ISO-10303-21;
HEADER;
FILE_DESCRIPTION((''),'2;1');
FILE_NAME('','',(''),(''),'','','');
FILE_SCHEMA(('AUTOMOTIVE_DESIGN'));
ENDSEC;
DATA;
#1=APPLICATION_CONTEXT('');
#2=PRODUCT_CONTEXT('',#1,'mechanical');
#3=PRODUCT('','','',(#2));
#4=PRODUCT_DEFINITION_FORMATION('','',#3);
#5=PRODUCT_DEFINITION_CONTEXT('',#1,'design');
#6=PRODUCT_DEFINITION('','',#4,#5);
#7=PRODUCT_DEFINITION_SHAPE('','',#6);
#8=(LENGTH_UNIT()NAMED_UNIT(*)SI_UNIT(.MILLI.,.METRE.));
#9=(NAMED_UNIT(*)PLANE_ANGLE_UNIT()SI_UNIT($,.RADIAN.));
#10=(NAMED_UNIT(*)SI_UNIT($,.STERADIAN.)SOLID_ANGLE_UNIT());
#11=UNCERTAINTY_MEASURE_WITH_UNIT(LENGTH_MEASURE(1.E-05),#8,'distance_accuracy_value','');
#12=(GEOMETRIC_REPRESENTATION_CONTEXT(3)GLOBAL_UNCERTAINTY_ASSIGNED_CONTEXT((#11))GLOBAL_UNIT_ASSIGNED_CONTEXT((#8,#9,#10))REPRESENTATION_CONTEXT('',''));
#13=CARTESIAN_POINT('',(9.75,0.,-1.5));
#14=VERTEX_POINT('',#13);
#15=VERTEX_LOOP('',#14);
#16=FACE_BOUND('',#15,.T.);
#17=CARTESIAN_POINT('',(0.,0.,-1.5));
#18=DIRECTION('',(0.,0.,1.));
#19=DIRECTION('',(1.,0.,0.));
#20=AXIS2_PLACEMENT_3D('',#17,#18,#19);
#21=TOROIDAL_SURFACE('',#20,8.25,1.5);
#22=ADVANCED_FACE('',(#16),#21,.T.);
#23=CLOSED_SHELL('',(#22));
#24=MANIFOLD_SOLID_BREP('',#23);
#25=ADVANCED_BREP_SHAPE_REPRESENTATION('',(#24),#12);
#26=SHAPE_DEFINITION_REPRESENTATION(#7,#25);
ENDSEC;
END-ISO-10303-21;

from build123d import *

# Parameters (mm, degrees)
SKETCH_1_R = 1.5


with BuildPart() as part:
    # Эскиз1 → Повернуть1 (revolve)
    with BuildSketch(Plane(origin=(0, 0, 0), x_dir=(1, 0, 0), z_dir=(0, 1, 0)), mode=Mode.PRIVATE) as revolve_1_sk:
        with Locations((-8.25, 1.5)):
            Circle(SKETCH_1_R)
    revolve(revolve_1_sk.sketch.rotate(Axis((0, 0, 0), (0, 0, -1)), 180), axis=Axis((0, 0, 0), (0, 0, -1)))


solid = part.part
